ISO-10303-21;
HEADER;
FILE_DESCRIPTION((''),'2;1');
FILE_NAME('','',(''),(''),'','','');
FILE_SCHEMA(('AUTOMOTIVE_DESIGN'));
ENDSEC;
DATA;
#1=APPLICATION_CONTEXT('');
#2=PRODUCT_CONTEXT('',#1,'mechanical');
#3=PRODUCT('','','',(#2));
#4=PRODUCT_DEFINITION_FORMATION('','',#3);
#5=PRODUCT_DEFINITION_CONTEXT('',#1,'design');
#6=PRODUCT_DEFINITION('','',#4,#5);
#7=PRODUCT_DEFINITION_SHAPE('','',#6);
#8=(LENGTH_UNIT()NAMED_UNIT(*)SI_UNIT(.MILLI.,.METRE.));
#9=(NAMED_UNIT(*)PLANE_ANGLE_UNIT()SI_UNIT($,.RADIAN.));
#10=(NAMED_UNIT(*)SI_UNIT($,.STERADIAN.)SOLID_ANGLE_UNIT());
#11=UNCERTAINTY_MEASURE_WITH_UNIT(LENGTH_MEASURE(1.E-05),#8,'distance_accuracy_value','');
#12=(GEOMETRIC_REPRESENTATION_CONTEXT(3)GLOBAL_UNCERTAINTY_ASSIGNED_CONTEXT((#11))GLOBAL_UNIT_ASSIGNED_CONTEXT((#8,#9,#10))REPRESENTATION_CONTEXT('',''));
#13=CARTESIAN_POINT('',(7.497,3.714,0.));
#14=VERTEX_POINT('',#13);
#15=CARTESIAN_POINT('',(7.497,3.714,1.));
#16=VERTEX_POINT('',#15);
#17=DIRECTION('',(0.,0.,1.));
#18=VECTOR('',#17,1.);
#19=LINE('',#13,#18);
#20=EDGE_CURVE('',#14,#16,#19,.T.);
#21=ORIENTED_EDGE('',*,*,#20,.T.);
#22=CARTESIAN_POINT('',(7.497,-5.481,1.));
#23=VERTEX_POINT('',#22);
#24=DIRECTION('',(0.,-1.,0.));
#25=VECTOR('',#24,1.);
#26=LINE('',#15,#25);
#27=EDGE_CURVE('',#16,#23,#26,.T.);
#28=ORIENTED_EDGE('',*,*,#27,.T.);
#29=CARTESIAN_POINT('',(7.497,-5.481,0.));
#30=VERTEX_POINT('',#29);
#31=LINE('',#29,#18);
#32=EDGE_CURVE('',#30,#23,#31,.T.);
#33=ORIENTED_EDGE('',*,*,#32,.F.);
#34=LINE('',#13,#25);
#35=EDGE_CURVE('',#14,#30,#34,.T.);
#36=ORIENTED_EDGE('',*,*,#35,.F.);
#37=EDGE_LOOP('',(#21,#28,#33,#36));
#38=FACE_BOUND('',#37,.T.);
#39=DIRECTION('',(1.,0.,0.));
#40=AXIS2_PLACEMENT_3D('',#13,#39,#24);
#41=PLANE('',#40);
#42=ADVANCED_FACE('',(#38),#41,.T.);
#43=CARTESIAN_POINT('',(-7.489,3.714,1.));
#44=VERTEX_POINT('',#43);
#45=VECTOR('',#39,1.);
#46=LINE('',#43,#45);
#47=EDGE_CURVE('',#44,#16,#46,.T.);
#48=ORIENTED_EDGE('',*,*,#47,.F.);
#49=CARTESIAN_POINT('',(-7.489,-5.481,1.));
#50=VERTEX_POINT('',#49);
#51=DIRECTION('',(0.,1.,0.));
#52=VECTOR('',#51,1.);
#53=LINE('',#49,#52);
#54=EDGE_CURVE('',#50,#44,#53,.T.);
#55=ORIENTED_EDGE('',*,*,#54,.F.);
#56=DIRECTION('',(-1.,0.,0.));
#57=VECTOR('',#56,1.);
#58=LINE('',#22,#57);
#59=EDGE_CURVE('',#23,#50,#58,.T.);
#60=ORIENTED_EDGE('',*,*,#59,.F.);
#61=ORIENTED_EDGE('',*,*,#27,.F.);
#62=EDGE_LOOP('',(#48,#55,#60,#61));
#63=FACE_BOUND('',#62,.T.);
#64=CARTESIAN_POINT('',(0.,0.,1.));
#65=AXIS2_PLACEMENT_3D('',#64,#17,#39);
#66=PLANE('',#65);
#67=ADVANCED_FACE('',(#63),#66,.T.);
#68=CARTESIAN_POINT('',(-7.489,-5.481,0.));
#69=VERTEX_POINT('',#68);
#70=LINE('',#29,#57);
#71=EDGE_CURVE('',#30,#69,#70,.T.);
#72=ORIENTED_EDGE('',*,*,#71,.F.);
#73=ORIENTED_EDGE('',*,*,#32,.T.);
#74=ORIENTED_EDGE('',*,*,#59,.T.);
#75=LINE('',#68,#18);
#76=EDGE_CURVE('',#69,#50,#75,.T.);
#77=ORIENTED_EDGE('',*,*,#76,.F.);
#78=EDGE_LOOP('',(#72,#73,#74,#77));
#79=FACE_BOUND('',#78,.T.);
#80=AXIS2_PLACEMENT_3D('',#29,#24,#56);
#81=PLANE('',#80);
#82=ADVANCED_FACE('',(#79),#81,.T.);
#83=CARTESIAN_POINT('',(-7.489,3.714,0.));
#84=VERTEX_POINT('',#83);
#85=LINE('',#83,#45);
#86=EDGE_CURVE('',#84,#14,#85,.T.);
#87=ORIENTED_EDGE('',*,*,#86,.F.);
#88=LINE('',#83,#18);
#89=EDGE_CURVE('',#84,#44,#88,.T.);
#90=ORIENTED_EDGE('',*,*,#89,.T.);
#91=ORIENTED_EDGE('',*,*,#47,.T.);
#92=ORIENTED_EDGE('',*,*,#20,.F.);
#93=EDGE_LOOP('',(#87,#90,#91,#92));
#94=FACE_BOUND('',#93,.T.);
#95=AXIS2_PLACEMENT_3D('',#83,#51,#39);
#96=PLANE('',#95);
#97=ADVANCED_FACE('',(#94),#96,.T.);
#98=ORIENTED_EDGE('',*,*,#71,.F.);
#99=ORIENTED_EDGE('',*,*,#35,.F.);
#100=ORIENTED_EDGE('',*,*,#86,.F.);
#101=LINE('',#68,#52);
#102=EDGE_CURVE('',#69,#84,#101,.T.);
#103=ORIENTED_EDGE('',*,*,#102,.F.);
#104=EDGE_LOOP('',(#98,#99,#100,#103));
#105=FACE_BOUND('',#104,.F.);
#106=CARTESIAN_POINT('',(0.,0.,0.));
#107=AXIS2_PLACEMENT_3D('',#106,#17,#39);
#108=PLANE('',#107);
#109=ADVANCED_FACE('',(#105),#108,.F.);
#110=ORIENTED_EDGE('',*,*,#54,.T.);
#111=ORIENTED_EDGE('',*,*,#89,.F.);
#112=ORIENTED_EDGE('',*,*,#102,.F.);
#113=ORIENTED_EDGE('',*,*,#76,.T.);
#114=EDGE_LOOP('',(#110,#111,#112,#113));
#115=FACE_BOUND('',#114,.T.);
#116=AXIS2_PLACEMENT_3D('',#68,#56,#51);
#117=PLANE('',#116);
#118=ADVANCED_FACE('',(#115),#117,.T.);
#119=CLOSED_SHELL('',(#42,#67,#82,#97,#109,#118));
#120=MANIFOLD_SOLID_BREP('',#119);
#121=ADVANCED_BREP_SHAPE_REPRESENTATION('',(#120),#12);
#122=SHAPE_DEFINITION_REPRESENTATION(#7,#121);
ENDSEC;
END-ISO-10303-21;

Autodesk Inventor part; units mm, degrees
ref_plane "YZ Plane" through (0, 0, 0) normal (1, 0, 0) x (0, 1, 0)
ref_plane "XZ Plane" through (0, 0, 0) normal (0, 1, 0) x (-1, 0, 0)
ref_plane "XY Plane" through (0, 0, 0) normal (0, 0, 1) x (1, 0, 0)
sketch "W237-103, W237-103_27" plane through (0, 0, 0) normal (0, 0, 1) x (1, 0, 0)
  line L0 (-7.489, 3.714) -> (7.497, 3.714)
  line L1 (7.497, 3.714) -> (7.497, -5.481)
  line L2 (7.497, -5.481) -> (-7.489, -5.481)
  line L3 (-7.489, -5.481) -> (-7.489, 3.714)
extrude "Extrusion1" add sketch "W237-103, W237-103_27" along normal blind 1
properties part number "W237-103"
